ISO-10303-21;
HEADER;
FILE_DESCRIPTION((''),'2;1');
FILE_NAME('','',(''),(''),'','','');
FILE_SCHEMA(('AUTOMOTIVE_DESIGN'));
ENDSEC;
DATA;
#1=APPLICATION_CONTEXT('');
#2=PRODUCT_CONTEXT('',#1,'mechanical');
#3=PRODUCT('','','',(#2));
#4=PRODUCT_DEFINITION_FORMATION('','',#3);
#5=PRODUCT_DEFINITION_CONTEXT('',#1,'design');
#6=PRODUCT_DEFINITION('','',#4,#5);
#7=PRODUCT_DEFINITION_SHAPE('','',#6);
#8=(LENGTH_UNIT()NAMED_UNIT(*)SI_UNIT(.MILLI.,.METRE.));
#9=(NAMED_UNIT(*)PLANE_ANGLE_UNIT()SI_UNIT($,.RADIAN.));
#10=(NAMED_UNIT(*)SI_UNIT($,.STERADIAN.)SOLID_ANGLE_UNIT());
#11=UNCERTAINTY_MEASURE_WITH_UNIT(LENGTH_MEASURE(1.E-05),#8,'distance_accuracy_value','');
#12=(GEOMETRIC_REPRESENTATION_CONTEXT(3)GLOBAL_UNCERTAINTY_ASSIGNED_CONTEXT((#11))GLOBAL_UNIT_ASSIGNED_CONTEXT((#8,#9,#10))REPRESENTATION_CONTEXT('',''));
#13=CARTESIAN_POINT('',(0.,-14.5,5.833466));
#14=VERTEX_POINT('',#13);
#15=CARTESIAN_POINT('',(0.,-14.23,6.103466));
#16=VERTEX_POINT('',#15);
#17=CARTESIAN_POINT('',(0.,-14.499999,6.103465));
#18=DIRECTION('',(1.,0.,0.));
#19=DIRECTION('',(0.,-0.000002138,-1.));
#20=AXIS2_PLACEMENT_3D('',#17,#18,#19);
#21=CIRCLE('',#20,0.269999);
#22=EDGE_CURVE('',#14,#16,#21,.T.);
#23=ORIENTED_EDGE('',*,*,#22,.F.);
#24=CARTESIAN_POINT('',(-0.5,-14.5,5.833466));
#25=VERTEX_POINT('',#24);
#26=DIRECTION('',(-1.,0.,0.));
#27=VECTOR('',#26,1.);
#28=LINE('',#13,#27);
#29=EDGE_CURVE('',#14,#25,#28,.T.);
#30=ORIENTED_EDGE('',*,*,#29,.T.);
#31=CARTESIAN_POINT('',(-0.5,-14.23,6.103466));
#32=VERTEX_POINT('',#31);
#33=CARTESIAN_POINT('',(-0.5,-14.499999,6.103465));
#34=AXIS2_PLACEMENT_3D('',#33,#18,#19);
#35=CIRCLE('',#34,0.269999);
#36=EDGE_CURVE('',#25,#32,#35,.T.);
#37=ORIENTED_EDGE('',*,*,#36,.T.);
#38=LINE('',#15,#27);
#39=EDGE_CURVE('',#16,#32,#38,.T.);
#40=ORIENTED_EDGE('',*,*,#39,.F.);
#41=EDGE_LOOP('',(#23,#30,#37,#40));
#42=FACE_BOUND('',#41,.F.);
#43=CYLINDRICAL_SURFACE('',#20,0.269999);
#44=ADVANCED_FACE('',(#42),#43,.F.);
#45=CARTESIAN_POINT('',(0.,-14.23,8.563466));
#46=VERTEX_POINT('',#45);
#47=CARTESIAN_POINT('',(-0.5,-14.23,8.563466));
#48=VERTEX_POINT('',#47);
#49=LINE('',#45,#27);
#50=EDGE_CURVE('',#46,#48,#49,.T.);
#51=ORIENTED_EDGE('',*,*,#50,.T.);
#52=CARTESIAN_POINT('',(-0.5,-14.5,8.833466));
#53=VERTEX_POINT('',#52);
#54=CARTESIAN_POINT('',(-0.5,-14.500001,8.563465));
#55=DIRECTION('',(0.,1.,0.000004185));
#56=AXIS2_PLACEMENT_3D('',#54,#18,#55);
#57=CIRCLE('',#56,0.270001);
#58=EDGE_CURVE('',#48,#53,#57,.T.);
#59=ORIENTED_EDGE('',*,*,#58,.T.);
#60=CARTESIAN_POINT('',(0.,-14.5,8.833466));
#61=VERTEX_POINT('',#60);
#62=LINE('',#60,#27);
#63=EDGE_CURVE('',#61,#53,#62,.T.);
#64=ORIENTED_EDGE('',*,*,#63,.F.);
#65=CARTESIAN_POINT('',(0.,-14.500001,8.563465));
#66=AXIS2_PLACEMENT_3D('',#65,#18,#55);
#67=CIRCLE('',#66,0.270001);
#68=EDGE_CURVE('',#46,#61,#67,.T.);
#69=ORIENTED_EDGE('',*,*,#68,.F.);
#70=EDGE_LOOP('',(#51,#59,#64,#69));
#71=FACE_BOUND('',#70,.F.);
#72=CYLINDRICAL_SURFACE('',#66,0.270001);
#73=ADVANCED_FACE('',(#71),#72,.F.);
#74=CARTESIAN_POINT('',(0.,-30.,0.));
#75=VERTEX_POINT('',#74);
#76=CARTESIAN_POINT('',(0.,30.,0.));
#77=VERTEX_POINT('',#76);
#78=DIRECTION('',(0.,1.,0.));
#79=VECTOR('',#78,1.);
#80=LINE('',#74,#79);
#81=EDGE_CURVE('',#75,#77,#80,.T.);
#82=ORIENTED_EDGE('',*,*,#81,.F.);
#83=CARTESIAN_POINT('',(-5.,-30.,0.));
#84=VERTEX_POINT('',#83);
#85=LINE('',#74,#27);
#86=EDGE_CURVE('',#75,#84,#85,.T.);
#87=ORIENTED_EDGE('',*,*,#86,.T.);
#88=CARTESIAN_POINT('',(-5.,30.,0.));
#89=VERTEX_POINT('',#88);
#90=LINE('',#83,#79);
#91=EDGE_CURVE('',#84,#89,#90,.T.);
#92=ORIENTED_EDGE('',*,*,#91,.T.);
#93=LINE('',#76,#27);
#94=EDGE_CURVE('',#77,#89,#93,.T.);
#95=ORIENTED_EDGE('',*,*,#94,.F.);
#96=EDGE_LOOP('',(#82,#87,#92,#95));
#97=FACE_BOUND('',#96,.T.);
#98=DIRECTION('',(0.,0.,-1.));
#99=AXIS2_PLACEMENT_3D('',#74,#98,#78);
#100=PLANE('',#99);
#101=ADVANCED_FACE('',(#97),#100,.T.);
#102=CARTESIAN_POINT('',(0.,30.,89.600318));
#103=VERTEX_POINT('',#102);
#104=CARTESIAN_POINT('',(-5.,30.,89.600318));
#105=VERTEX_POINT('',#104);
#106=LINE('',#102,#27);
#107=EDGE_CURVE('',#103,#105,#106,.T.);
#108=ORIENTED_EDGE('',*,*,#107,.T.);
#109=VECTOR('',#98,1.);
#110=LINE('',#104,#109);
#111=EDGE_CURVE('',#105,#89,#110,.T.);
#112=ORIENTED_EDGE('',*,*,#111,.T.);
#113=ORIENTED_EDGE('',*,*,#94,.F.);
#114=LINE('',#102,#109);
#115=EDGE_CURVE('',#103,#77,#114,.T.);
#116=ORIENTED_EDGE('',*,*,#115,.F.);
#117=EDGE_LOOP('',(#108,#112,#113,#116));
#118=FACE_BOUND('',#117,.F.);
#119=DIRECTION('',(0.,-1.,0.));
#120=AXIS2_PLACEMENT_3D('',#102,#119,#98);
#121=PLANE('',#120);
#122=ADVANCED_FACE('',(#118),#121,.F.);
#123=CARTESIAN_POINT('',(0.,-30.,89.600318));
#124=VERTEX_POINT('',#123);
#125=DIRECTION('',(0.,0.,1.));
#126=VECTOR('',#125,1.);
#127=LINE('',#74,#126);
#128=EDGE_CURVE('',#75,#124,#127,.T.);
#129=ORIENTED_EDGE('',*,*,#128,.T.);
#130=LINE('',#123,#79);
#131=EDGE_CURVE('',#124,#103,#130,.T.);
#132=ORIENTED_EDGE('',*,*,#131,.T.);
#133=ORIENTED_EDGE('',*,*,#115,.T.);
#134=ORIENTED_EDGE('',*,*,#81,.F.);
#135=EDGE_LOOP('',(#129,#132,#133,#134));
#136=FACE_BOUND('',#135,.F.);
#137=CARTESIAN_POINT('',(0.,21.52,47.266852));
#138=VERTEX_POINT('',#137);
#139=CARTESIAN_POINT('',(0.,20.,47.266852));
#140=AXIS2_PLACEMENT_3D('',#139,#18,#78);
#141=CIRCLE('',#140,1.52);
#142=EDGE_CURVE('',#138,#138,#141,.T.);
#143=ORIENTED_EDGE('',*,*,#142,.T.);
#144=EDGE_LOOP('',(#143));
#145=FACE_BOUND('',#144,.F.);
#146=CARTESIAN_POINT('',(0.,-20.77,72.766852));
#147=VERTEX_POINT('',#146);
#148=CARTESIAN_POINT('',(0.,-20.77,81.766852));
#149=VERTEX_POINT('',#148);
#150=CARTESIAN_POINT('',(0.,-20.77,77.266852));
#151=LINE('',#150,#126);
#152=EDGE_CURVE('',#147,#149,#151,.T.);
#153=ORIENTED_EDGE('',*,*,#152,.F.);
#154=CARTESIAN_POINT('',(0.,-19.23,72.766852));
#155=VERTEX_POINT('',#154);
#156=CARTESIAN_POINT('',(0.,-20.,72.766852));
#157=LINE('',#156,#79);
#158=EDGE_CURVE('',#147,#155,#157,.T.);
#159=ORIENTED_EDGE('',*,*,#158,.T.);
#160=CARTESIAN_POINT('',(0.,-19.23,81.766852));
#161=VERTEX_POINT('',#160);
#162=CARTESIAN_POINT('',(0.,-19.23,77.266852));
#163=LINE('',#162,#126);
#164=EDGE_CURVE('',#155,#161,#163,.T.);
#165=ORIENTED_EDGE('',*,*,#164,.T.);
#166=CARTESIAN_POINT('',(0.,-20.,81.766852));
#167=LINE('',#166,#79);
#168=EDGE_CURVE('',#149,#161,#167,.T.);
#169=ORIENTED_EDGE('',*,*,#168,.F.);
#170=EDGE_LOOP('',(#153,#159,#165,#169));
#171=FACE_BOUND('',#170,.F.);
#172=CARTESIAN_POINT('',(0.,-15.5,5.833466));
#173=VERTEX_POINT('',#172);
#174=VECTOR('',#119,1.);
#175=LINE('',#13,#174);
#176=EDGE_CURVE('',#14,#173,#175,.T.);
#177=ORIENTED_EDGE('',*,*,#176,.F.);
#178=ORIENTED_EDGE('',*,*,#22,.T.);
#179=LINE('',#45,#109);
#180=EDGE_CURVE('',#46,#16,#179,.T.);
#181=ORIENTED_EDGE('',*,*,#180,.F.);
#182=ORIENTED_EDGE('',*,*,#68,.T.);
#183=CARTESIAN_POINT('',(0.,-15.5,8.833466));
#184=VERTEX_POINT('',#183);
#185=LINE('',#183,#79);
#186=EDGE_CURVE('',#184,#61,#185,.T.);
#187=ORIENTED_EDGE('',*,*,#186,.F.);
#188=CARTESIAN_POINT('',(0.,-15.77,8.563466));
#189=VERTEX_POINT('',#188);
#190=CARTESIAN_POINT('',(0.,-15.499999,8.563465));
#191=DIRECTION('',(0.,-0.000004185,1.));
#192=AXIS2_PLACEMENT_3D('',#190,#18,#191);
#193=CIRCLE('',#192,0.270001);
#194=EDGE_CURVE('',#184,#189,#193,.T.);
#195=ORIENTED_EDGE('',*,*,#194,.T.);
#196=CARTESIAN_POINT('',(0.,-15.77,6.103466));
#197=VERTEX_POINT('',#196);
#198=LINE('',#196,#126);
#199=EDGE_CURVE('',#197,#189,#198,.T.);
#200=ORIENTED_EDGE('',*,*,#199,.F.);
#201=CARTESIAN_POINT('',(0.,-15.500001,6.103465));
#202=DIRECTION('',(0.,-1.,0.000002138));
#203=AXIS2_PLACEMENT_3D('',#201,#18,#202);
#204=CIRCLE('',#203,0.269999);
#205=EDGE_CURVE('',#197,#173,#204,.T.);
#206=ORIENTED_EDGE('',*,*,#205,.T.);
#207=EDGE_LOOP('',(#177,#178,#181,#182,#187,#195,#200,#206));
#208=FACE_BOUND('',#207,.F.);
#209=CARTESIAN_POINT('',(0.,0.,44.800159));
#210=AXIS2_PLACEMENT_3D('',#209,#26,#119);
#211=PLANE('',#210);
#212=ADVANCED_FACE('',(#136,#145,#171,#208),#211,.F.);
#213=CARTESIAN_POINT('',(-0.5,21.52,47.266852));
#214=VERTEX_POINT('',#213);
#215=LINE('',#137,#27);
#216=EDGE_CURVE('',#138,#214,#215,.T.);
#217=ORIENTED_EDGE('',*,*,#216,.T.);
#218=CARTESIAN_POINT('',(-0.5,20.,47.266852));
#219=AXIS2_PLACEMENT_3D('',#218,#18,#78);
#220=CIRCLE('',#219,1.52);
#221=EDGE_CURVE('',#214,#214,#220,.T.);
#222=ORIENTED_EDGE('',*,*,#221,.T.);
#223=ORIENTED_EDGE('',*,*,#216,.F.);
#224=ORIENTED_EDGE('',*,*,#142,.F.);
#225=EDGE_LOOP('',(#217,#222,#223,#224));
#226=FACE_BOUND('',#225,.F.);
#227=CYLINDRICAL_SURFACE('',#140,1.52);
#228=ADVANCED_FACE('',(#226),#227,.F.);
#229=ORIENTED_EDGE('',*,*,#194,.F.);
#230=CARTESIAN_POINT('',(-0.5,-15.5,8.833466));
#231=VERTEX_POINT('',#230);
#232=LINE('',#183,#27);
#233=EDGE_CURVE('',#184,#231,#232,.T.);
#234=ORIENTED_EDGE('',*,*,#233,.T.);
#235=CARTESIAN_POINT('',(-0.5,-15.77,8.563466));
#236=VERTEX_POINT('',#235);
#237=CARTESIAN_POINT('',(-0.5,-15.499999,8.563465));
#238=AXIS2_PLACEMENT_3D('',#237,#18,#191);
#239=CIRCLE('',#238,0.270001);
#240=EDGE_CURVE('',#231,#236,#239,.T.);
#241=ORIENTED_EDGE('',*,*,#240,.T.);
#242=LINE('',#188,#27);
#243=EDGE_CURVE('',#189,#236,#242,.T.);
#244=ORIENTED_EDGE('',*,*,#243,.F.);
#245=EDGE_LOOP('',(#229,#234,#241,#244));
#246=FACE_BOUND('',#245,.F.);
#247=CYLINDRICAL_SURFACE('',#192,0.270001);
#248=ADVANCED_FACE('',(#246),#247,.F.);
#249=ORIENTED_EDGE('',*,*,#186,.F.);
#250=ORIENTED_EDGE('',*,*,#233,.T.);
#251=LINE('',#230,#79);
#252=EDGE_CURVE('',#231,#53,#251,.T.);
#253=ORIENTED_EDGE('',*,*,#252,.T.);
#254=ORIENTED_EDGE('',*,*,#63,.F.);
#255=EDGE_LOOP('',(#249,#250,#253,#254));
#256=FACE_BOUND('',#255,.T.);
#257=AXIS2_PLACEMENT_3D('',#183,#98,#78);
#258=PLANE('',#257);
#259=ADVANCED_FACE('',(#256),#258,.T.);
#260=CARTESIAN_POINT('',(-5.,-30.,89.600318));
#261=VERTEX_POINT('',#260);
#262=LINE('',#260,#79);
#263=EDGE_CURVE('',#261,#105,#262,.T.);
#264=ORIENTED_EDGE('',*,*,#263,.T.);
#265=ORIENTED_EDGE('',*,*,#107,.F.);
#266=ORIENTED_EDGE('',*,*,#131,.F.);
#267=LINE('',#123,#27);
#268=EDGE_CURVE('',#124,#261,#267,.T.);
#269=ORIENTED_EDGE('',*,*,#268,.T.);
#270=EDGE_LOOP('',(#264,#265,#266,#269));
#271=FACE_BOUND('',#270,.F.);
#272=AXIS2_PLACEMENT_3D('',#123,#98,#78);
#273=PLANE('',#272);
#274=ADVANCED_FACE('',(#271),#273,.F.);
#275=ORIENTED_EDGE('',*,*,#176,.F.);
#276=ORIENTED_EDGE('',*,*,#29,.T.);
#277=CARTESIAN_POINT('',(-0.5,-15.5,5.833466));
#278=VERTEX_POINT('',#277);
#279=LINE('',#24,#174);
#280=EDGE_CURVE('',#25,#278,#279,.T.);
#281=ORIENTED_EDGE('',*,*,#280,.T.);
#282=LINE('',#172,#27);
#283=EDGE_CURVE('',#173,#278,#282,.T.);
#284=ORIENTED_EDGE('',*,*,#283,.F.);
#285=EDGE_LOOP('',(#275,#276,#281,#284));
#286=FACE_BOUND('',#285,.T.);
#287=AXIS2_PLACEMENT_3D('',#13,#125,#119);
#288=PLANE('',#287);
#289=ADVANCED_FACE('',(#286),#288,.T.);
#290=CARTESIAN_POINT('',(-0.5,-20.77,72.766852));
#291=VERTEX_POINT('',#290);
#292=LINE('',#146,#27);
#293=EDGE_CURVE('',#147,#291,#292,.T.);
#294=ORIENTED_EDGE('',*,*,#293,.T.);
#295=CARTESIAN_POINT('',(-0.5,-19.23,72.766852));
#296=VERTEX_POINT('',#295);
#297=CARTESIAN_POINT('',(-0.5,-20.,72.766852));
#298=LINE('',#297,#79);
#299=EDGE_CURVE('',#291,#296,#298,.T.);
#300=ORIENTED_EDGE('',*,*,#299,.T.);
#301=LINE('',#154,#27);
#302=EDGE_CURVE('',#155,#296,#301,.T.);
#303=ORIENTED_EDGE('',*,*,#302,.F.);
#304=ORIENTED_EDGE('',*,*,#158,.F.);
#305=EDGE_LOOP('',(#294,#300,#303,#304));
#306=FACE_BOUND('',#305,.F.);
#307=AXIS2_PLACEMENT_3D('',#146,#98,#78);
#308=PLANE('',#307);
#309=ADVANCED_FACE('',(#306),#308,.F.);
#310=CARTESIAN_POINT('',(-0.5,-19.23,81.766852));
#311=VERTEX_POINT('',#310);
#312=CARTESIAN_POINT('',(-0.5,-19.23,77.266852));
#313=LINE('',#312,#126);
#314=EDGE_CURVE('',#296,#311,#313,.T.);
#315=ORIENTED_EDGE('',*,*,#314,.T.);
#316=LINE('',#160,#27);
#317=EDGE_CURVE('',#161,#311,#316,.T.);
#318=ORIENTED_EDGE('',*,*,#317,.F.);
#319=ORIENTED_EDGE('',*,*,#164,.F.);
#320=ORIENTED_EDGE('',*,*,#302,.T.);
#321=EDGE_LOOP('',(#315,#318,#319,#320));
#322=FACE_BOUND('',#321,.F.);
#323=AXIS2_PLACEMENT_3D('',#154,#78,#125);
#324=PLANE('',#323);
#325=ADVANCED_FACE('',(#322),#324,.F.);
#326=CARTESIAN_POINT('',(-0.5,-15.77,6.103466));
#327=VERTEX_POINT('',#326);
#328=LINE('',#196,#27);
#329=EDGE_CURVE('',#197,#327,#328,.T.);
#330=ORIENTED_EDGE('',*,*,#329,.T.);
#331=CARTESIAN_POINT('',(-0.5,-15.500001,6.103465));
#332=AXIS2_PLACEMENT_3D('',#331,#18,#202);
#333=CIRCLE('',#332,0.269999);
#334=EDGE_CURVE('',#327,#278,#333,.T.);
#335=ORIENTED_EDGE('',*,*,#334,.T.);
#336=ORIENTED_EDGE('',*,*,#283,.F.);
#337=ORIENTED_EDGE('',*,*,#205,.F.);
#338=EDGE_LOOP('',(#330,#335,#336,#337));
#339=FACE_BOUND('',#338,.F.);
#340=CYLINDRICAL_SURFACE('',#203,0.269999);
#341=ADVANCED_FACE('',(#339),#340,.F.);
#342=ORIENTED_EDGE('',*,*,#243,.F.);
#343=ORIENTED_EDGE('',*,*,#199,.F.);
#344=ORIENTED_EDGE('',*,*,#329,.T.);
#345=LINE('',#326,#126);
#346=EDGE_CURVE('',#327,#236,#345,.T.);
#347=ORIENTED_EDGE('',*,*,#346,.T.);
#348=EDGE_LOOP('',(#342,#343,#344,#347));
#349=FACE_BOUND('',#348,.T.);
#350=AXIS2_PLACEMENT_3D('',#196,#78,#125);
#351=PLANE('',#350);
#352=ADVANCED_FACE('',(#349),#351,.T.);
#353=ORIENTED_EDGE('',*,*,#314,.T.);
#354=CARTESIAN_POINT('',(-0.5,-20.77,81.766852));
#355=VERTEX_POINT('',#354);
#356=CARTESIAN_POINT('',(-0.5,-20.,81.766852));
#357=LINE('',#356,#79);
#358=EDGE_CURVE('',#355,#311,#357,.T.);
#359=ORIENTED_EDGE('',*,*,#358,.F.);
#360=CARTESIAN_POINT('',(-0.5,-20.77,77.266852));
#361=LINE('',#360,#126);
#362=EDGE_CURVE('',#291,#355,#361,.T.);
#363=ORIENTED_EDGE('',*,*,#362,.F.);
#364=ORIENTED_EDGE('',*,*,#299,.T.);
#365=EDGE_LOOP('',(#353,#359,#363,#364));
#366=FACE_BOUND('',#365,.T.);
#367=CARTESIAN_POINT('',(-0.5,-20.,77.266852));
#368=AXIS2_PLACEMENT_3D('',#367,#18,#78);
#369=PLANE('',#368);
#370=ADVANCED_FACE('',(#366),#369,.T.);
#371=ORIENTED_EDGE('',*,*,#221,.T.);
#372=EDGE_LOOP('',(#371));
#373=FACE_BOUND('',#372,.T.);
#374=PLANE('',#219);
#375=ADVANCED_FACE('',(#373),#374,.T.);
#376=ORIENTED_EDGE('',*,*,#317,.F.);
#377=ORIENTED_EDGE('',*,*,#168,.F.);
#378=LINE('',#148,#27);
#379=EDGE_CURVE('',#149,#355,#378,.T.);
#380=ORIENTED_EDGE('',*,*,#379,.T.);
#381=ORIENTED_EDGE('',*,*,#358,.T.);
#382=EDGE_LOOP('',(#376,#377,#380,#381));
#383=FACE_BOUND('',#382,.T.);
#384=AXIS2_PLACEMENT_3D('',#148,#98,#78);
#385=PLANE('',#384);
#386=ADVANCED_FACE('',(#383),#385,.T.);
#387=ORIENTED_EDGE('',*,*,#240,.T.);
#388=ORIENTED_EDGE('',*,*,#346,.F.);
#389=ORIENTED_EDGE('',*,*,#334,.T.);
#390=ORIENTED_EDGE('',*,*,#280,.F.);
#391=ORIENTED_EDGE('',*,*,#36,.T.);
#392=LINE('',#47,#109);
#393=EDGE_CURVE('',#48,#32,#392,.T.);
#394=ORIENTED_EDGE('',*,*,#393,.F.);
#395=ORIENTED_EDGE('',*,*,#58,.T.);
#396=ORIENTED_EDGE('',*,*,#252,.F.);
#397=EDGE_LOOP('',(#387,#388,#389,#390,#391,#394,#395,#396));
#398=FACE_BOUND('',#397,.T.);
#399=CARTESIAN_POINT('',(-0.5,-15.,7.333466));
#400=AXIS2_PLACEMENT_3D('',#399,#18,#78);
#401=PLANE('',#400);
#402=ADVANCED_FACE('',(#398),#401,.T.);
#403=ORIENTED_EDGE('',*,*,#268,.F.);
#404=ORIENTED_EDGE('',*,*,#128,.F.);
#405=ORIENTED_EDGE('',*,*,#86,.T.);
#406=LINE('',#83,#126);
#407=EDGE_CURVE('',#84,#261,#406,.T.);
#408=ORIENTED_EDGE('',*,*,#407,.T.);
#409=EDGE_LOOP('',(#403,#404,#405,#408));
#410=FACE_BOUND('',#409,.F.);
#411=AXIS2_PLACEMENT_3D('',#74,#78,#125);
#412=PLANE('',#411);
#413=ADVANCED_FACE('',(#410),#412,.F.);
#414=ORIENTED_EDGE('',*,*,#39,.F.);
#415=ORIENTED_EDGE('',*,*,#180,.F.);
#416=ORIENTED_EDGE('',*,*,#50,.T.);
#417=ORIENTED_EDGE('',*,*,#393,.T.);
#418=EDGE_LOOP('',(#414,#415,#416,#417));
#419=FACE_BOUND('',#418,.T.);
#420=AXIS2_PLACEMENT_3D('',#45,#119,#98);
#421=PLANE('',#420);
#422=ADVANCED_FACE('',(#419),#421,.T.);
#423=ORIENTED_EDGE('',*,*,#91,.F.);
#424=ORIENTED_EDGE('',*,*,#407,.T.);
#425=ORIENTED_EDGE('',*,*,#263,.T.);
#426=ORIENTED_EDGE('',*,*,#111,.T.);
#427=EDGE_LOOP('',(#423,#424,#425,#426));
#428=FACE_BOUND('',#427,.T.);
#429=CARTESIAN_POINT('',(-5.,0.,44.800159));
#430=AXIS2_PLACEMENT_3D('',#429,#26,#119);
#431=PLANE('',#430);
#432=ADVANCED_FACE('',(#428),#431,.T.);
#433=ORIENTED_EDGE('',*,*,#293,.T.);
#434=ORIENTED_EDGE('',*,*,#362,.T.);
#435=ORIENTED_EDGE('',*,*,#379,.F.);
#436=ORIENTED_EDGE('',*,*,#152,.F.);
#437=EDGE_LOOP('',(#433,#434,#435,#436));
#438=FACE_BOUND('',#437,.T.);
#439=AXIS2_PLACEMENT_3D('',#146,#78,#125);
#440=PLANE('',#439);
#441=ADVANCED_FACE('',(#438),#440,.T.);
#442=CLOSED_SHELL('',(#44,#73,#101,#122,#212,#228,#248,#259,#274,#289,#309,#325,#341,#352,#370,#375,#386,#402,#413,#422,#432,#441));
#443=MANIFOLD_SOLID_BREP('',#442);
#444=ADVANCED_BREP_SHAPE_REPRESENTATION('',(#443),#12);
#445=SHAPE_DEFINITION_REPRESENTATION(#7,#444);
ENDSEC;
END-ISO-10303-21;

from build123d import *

# Parameters (mm, degrees)
PAD_DEPTH       = 5
SKETCH001_R     = 1.52
POCKET_DEPTH    = 0.5
SKETCH002_W     = 1.54
SKETCH002_H     = 9
POCKET001_DEPTH = 0.5
POCKET002_DEPTH = 0.5


with BuildPart() as part:
    # Sketch → Pad (new body)
    with BuildSketch(Plane.YZ):
        Polygon((0, 0), (-30, 0), (-30, 89.600318), (30, 89.600318), (30, 0), align=None)
    extrude(amount=-PAD_DEPTH)

    # Sketch001 → Pocket (cut)
    with BuildSketch(Plane.YZ):
        with Locations((20, 47.266852)):
            Circle(SKETCH001_R)
    extrude(amount=-POCKET_DEPTH, mode=Mode.SUBTRACT)

    # Sketch002 → Pocket001 (cut)
    with BuildSketch(Plane.YZ):
        with Locations((-20, 77.266852)):
            Rectangle(SKETCH002_W, SKETCH002_H)
    extrude(amount=-POCKET001_DEPTH, mode=Mode.SUBTRACT)

    # Sketch003 → Pocket002 (cut)
    with BuildSketch(Plane.YZ):
        with BuildLine():
            ThreePointArc((-15.5, 8.833466), (-15.690919, 8.754384), (-15.77, 8.563466))
            Line((-15.77, 6.103466), (-15.77, 8.563466))
            ThreePointArc((-15.77, 6.103466), (-15.690919, 5.912547), (-15.5, 5.833466))
            Line((-14.5, 5.833466), (-15.5, 5.833466))
            ThreePointArc((-14.5, 5.833466), (-14.309081, 5.912547), (-14.23, 6.103466))
            Line((-14.23, 8.563466), (-14.23, 6.103466))
            ThreePointArc((-14.23, 8.563466), (-14.309081, 8.754384), (-14.5, 8.833466))
            Line((-15.5, 8.833466), (-14.5, 8.833466))
        make_face()
    extrude(amount=-POCKET002_DEPTH, mode=Mode.SUBTRACT)


solid = part.part
